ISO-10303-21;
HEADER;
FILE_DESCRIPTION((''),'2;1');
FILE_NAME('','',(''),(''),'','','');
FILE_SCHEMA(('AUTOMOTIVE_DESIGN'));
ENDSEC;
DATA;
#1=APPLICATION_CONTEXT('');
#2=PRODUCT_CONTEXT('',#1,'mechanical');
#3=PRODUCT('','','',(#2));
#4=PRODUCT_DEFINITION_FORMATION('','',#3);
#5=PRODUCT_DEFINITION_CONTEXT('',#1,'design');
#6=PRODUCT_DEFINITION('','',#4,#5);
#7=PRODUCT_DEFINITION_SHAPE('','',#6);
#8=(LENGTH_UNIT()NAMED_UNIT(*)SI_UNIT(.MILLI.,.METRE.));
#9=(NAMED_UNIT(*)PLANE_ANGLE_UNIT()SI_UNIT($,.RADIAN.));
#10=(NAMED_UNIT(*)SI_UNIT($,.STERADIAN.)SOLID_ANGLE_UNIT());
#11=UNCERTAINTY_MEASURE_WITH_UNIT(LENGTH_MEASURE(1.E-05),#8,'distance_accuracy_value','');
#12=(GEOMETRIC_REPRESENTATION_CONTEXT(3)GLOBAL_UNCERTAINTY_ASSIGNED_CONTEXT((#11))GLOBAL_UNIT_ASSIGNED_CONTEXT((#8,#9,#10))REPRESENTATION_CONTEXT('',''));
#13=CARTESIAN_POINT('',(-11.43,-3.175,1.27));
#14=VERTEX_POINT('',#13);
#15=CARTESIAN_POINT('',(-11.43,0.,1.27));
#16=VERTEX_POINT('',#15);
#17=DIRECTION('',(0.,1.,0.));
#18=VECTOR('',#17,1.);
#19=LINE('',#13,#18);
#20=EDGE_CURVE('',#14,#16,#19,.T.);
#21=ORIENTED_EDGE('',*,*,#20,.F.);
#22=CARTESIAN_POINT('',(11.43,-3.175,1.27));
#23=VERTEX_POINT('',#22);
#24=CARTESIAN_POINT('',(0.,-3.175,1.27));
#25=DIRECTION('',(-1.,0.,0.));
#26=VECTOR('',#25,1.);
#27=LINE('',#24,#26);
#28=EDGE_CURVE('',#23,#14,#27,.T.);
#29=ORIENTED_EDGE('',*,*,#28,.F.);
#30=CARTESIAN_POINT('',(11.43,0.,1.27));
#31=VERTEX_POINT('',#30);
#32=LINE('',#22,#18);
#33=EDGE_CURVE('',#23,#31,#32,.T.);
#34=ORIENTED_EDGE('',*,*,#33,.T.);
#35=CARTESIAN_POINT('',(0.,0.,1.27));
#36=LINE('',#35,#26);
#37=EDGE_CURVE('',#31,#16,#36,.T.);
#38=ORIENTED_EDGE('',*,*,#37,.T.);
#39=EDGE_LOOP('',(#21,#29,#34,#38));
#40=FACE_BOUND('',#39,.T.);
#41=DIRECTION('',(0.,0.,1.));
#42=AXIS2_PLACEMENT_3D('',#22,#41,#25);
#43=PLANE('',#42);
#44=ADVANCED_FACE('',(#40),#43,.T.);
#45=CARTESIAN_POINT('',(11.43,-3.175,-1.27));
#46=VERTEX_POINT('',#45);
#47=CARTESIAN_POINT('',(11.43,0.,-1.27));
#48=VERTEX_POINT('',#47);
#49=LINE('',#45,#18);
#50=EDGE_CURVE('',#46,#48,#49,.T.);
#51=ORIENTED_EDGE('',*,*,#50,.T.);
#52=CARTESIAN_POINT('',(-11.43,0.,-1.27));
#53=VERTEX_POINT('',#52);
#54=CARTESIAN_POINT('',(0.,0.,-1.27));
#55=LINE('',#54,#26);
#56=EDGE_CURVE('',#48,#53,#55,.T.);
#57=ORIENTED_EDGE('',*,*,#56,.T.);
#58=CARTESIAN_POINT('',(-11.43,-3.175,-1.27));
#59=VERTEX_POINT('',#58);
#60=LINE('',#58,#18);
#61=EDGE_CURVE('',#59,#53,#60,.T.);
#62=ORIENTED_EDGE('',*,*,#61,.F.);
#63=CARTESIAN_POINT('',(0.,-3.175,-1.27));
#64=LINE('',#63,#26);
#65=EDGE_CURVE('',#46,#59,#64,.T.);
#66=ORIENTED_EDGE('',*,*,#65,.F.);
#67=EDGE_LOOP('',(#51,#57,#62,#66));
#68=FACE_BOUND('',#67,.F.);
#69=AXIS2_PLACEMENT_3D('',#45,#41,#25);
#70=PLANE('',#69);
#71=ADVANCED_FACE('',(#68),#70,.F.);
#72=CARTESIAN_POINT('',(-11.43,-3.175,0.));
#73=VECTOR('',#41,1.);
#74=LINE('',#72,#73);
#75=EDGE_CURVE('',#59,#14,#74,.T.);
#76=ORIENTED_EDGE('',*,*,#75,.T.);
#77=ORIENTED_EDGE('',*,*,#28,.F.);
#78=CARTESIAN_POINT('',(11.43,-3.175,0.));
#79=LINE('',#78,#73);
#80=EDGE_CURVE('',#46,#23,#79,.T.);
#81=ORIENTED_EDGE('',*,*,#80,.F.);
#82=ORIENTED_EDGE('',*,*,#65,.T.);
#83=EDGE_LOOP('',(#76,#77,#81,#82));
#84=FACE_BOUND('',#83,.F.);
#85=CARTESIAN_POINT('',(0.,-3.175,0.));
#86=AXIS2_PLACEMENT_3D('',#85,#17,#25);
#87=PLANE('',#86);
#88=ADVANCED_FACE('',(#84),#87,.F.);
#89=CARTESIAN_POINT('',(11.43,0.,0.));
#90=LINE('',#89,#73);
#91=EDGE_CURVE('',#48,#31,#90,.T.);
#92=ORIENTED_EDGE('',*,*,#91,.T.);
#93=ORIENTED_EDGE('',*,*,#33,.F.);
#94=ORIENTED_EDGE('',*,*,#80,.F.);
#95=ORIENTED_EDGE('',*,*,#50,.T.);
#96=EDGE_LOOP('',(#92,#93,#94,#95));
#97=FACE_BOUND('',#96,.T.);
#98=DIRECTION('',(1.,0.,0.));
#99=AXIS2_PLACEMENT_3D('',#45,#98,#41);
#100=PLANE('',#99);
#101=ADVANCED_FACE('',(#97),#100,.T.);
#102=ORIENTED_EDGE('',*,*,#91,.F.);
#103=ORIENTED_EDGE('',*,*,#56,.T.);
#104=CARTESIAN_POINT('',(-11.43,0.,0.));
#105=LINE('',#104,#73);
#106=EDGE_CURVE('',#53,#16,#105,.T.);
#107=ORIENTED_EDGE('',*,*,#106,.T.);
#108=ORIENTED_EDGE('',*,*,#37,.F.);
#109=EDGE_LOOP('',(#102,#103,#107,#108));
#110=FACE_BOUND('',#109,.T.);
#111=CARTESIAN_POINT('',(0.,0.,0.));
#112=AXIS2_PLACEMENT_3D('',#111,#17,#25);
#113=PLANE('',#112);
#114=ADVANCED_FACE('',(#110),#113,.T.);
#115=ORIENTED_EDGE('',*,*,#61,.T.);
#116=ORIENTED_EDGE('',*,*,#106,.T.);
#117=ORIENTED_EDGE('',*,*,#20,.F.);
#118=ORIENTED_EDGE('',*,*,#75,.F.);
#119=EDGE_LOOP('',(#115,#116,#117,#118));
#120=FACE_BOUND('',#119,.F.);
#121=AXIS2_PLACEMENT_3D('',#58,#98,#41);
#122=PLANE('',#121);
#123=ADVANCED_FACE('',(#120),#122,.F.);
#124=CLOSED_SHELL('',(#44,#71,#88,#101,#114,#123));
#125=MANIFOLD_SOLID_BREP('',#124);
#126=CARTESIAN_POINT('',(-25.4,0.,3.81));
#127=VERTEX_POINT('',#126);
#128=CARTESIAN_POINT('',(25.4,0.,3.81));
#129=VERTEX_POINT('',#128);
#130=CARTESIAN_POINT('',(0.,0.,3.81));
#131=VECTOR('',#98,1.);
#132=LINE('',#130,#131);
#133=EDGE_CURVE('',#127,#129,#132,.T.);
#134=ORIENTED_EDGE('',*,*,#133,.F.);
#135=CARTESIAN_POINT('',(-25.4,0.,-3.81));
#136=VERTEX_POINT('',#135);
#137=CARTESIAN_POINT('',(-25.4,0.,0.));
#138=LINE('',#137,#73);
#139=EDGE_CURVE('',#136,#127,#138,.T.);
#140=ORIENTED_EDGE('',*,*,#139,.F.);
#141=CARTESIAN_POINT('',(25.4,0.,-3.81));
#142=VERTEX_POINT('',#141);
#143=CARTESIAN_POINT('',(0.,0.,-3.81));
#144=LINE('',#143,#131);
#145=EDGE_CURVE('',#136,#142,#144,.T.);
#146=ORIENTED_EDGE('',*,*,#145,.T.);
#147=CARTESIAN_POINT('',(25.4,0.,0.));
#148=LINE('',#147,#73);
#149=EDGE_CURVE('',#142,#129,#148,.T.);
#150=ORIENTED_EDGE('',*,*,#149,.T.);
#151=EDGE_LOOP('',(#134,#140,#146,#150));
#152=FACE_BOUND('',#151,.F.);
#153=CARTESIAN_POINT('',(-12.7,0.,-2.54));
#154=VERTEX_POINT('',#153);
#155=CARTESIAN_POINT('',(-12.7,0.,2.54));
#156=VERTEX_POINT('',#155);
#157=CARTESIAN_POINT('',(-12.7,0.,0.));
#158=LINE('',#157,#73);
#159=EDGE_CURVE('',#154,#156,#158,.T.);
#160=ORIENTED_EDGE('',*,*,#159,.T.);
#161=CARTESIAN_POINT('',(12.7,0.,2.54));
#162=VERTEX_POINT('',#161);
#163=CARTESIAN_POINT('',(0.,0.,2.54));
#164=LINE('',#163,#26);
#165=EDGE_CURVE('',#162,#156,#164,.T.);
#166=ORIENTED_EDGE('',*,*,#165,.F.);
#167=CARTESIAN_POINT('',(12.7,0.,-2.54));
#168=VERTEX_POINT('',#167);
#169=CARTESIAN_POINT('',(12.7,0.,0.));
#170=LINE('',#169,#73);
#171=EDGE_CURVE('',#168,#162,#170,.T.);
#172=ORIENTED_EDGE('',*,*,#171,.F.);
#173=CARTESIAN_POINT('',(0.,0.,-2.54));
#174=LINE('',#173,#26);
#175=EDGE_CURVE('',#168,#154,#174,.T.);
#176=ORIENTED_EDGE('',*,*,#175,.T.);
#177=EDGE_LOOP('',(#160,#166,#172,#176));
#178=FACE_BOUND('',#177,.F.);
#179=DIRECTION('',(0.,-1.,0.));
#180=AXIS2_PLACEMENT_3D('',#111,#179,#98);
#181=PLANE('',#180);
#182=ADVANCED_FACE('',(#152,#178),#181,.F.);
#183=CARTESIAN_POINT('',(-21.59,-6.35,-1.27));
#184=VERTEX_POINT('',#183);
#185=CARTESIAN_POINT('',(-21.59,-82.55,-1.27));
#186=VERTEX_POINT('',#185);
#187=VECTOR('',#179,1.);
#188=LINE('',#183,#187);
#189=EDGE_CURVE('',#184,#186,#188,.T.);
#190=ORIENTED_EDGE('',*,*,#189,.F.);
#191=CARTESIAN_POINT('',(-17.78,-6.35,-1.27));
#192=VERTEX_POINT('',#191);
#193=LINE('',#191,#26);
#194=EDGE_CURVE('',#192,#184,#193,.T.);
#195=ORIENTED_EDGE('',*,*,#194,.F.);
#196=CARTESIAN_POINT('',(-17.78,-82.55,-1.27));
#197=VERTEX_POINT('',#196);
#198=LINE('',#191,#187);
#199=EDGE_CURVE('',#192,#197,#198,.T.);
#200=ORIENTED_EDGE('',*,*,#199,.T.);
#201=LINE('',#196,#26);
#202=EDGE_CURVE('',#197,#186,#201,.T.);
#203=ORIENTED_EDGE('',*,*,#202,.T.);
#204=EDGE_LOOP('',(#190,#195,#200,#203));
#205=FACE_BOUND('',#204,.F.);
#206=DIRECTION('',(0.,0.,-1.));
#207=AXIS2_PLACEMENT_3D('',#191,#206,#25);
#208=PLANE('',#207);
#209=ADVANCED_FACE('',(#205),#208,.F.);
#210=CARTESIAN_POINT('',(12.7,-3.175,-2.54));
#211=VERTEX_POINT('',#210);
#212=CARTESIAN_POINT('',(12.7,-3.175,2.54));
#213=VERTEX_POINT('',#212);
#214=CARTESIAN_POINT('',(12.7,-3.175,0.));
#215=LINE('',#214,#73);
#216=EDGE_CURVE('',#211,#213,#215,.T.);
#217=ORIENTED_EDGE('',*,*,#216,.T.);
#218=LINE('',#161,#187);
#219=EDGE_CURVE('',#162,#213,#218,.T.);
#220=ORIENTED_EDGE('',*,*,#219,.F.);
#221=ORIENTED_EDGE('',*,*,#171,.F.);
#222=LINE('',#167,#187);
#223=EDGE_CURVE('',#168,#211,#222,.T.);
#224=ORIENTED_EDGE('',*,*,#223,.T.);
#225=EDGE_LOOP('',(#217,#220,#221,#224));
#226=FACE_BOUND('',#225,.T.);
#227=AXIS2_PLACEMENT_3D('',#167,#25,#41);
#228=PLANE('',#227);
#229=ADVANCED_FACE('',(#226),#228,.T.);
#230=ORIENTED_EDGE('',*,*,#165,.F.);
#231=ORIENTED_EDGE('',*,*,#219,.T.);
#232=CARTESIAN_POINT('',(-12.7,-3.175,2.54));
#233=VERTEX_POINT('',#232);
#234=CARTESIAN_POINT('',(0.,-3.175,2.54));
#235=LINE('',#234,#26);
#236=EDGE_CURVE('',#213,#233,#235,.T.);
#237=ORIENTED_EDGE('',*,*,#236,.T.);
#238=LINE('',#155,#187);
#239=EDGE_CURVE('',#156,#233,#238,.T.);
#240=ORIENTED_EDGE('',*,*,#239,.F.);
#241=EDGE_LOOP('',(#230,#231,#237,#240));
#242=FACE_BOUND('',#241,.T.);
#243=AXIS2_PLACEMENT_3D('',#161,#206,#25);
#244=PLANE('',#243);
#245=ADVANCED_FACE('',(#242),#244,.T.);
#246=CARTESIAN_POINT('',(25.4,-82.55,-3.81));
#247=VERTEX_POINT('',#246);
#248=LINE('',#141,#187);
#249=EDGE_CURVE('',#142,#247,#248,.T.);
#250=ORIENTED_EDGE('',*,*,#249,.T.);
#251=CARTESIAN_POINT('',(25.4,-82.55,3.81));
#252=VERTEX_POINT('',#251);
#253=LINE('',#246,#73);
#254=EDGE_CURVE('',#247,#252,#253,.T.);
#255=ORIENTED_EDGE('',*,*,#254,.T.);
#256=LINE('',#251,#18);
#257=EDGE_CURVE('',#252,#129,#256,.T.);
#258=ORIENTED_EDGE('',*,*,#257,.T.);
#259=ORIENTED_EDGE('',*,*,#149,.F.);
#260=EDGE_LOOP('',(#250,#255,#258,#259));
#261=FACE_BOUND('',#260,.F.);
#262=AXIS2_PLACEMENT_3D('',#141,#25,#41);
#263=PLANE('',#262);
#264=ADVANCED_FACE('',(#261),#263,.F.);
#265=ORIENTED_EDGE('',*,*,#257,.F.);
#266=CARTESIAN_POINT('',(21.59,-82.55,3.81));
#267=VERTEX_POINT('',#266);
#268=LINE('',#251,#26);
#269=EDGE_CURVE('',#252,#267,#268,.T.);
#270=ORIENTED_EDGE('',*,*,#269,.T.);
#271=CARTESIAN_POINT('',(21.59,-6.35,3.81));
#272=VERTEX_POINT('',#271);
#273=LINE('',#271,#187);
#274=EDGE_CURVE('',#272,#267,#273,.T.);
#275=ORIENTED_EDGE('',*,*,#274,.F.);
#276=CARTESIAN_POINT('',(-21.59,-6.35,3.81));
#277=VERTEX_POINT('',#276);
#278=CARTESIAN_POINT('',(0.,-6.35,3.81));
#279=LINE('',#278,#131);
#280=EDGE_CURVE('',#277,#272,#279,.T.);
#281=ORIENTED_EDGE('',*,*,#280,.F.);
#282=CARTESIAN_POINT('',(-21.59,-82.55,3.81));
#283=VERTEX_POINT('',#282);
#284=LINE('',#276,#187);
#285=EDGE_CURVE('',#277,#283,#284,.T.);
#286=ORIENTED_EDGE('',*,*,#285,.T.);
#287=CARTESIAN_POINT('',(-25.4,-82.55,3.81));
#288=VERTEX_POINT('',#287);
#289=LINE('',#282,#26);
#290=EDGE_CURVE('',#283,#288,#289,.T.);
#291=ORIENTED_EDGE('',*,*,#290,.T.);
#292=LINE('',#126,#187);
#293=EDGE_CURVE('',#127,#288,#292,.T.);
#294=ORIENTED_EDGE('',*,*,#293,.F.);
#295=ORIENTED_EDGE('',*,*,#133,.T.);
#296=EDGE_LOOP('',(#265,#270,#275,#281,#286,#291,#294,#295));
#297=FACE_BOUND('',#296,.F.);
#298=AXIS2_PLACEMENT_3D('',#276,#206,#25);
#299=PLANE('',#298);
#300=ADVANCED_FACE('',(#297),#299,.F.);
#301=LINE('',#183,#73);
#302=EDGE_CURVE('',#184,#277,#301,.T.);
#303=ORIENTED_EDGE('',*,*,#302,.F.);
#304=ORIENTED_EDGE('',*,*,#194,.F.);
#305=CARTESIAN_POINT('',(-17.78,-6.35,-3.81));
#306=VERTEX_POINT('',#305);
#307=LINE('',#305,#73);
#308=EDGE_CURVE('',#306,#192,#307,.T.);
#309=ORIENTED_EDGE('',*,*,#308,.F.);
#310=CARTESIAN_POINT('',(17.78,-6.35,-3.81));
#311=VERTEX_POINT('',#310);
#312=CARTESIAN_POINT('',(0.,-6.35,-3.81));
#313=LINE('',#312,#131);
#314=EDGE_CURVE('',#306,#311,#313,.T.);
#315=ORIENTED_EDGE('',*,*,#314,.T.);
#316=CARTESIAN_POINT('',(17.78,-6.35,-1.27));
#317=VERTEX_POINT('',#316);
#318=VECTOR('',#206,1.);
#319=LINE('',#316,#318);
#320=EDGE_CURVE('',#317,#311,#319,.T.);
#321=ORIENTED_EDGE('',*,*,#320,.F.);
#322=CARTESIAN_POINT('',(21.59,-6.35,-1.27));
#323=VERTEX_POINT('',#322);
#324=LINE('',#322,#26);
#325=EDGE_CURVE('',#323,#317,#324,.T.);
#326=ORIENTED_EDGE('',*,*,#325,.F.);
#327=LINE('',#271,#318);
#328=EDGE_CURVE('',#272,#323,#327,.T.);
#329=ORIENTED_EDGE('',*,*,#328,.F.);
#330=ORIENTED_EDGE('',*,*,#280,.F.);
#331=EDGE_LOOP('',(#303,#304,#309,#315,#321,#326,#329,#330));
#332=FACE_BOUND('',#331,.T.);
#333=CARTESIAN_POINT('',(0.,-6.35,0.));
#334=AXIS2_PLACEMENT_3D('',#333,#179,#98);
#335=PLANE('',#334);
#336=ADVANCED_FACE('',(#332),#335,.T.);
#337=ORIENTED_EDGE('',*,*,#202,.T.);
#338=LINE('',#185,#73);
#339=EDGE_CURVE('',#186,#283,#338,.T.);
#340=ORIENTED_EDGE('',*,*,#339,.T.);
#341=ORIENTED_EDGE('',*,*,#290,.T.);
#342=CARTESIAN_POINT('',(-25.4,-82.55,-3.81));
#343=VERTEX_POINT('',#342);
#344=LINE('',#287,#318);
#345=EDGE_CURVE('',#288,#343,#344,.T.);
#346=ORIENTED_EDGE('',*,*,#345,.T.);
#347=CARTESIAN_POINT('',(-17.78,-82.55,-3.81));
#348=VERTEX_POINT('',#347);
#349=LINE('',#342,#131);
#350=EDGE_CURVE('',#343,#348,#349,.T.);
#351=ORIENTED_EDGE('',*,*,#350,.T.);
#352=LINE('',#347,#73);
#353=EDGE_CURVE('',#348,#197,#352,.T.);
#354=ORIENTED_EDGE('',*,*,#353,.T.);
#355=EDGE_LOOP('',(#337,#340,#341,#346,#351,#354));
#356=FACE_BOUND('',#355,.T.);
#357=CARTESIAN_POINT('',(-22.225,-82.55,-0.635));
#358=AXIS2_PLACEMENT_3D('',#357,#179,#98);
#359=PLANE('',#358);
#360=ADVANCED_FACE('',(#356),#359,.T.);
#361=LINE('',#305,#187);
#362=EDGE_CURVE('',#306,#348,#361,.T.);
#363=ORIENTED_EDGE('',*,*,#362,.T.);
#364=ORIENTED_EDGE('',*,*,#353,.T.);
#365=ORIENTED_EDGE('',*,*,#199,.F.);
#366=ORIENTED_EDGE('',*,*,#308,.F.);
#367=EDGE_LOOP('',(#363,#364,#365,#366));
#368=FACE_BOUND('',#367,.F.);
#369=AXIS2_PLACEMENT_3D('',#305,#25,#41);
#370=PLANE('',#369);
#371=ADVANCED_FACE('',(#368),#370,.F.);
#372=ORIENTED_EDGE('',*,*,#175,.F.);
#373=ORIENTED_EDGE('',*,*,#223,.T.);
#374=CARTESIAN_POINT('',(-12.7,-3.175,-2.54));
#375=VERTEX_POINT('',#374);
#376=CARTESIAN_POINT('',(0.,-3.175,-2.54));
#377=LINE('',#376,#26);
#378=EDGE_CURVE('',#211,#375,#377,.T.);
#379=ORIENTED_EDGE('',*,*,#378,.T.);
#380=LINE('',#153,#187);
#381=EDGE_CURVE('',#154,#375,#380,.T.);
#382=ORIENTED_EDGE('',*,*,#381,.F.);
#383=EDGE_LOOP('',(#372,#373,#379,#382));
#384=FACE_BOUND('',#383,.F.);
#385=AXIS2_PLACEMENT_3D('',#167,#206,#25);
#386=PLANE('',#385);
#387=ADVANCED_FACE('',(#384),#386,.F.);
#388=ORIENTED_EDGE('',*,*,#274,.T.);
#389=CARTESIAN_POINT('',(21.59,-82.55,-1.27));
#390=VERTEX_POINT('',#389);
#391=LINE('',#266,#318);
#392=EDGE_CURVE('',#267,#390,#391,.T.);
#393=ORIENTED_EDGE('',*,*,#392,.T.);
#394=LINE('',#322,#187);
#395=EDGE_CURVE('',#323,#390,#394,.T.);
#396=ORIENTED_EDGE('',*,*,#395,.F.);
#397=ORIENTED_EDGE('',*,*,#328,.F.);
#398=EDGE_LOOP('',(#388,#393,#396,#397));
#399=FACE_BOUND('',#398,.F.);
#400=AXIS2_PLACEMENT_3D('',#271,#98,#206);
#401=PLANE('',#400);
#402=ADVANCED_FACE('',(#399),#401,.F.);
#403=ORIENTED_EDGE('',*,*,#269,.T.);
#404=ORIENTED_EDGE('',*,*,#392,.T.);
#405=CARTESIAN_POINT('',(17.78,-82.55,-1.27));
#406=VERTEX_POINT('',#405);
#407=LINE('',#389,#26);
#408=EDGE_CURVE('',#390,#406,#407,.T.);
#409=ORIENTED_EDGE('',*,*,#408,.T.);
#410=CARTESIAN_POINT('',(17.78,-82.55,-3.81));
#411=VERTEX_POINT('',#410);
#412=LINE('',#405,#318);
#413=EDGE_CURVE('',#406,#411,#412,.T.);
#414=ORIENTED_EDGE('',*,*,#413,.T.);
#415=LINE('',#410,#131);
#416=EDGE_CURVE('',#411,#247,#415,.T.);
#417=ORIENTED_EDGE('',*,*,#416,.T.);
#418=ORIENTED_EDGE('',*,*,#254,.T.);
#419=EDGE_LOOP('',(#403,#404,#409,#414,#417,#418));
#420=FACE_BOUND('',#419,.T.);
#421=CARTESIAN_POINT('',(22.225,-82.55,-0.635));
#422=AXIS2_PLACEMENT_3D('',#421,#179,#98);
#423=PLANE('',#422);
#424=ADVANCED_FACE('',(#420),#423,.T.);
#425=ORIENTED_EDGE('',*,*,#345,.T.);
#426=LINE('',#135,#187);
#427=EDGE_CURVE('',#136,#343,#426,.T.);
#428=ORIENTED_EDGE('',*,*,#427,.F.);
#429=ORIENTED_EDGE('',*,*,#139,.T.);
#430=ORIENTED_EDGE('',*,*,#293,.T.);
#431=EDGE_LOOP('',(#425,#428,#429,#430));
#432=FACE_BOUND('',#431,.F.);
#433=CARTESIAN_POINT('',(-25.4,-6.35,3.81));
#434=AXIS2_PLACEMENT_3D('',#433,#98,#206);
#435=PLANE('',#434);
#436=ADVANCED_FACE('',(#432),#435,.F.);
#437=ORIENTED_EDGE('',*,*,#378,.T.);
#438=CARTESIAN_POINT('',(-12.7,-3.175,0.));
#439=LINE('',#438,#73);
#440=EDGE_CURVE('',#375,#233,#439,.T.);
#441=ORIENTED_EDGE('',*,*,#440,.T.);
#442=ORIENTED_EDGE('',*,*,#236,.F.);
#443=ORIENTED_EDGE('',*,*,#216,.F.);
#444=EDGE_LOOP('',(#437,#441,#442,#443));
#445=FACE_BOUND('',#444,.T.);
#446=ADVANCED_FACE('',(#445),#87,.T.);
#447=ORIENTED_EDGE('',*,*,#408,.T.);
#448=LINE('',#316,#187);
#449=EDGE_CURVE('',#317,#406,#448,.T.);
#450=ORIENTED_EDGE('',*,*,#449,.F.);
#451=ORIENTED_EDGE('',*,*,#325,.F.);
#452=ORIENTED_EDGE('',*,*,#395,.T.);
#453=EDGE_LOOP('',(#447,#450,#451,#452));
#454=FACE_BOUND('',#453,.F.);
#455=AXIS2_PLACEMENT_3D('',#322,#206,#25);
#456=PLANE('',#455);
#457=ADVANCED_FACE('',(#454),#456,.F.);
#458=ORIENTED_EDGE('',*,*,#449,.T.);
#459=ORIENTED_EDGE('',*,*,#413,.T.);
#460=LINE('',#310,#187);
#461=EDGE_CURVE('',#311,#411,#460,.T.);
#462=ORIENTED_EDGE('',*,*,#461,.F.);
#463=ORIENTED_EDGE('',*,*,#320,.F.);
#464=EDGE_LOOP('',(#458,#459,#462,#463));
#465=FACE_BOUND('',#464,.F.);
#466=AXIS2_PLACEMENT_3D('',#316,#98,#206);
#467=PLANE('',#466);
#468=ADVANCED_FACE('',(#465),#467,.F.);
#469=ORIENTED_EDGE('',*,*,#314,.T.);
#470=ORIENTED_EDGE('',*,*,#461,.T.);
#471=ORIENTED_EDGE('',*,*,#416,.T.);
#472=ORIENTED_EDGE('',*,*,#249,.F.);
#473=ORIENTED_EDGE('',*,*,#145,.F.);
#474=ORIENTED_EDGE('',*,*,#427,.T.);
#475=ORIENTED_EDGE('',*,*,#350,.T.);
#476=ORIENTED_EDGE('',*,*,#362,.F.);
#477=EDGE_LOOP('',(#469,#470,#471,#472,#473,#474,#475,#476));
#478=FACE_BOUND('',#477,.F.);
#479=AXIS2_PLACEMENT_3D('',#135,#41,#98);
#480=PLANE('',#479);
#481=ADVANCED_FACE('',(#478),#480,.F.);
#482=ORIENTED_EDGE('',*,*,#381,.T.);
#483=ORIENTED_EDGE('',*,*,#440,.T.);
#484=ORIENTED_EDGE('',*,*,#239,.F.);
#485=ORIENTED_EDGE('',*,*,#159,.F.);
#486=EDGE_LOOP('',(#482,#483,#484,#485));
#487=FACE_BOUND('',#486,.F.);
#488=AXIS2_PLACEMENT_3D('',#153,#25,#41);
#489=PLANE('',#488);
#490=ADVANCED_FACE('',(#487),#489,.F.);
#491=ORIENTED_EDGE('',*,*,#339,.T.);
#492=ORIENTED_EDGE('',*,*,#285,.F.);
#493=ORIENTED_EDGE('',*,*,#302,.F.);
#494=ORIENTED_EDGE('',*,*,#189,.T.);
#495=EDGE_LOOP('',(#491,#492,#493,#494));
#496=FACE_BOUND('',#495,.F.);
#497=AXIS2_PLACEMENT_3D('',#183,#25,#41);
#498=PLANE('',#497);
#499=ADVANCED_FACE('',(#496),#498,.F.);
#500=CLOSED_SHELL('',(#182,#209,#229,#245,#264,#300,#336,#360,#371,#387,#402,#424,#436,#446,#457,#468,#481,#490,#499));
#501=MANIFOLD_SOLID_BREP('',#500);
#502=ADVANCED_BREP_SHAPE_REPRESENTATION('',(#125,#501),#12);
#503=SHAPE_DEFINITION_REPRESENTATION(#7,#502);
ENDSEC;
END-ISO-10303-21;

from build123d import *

# Parameters (mm, degrees)
F0_W     = 50.8
F0_H     = 7.62
F1_DEPTH = 6.35
F3_DEPTH = 76.2
F4_W     = 25.4
F4_H     = 5.08
F5_DEPTH = 3.175
F6_W     = 22.86
F6_H     = 2.54
F7_DEPTH = 3.175


with BuildPart() as f1:
    # F0 (on Front) → F1 (new body)
    with BuildSketch(Plane.XZ):
        Rectangle(F0_W, F0_H)
    extrude(amount=F1_DEPTH)

    # F2 (on face) → F3 (join)
    with BuildSketch(Plane.XZ.offset(6.35)):
        Polygon((-21.59, -1.27), (-21.59, 3.81), (-25.4, 3.81), (-25.4, -3.81), (-17.78, -3.81), (-17.78, -1.27), align=None)
        Polygon((25.4, 3.81), (21.59, 3.81), (21.59, -1.27), (17.78, -1.27), (17.78, -3.81), (25.4, -3.81), align=None)
    extrude(amount=F3_DEPTH)

    # F4 (on face) → F5 (cut)
    with BuildSketch(Plane(origin=(0, 0, 0), x_dir=(-1, 0, 0), z_dir=(0, 1, 0))):
        Rectangle(F4_W, F4_H)
    extrude(amount=-F5_DEPTH, mode=Mode.SUBTRACT)


with BuildPart() as f7:
    # F6 (on face) → F7 (new body)
    with BuildSketch(Plane(origin=(0, -3.175, 0), x_dir=(-1, 0, 0), z_dir=(0, 1, 0))):
        Rectangle(F6_W, F6_H)
    extrude(amount=F7_DEPTH)


solid = Compound([f1.part, f7.part])
